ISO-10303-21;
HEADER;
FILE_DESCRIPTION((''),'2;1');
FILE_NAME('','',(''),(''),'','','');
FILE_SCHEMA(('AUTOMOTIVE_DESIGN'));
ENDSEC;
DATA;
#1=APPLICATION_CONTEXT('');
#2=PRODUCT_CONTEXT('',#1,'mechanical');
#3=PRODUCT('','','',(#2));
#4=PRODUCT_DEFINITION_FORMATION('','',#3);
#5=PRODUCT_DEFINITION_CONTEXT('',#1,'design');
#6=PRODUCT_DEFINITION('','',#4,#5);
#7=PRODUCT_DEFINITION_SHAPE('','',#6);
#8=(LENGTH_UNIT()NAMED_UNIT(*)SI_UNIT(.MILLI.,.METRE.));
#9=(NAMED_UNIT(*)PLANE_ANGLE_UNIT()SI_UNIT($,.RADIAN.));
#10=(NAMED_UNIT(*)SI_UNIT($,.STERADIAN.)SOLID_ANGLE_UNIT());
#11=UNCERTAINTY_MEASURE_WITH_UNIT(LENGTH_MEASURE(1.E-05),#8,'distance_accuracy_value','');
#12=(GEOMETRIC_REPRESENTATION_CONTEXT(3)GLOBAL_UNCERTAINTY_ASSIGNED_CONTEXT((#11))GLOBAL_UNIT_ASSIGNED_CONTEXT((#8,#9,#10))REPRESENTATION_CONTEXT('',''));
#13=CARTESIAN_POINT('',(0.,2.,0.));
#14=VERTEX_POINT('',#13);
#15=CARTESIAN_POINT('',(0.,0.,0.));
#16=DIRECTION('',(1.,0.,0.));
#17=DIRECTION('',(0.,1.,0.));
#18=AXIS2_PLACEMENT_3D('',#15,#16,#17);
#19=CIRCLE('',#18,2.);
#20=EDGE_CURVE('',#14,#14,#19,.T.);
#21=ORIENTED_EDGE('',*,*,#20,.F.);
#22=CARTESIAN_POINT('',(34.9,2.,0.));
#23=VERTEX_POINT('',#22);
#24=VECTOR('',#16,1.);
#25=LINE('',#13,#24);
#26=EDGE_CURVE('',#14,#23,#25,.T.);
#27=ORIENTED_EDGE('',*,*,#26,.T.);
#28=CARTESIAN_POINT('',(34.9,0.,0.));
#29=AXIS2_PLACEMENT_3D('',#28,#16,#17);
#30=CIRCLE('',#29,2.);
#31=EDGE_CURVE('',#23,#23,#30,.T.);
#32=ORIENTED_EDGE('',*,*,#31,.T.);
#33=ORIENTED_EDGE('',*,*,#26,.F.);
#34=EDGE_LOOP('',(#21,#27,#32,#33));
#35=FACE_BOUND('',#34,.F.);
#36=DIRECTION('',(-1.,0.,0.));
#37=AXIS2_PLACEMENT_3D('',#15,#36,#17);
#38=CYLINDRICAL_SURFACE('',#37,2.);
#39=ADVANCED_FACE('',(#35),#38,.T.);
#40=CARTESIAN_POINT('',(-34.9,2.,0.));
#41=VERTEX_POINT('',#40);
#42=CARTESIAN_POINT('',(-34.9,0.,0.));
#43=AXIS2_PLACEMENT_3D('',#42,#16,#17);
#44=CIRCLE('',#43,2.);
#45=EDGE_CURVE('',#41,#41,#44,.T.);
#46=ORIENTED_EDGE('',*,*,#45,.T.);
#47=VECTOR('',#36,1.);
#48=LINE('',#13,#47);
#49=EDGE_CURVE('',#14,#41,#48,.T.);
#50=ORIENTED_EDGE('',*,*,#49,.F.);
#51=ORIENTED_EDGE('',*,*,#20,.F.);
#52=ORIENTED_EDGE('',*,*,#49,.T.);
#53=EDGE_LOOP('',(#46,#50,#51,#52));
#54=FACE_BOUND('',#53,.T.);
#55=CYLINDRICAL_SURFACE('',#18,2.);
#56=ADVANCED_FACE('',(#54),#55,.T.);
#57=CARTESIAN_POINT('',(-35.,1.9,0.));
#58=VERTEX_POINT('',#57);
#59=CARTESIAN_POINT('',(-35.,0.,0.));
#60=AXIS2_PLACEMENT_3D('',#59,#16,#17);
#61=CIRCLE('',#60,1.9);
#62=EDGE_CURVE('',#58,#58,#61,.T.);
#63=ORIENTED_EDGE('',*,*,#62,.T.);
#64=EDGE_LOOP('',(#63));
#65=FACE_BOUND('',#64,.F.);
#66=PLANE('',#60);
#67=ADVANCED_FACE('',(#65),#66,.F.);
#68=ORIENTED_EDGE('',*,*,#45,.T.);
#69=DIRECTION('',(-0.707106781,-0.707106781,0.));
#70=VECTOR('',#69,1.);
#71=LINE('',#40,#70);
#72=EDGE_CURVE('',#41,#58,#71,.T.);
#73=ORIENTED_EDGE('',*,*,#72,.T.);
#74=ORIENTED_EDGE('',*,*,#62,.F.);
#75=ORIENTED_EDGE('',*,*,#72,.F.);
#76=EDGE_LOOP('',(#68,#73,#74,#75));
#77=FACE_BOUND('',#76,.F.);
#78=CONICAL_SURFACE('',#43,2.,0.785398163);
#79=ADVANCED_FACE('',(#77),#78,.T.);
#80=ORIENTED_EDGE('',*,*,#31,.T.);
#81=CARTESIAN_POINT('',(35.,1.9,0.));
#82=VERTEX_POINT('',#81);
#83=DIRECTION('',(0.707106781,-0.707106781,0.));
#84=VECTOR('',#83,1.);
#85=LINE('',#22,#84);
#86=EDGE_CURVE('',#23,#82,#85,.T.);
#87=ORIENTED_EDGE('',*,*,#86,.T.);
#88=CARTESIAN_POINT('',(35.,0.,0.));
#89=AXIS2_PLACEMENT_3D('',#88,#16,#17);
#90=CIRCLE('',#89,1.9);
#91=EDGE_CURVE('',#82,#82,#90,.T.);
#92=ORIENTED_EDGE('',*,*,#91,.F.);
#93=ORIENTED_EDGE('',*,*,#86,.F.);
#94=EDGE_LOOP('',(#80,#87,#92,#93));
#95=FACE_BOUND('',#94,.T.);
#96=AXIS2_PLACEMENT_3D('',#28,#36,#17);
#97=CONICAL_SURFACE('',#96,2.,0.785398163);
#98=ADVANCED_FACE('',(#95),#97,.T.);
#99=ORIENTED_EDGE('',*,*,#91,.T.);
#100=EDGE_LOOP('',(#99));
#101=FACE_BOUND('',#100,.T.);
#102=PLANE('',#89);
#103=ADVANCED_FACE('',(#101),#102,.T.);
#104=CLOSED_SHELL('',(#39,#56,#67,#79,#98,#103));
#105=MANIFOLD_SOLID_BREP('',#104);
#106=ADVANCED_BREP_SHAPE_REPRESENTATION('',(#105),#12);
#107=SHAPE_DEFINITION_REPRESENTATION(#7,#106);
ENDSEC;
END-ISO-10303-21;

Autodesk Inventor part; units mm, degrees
ref_plane "YZ Plane" through (0, 0, 0) normal (1, 0, 0) x (0, 1, 0)
ref_plane "XZ Plane" through (0, 0, 0) normal (0, 1, 0) x (-1, 0, 0)
ref_plane "XY Plane" through (0, 0, 0) normal (0, 0, 1) x (1, 0, 0)
sketch "Sketch1" plane through (0, 0, 0) normal (1, 0, 0) x (0, 1, 0)
  circle A0 centre (0, 0) radius 2
  dimension "d0" = 4
extrude "Extrusion1" add sketch "Sketch1" along normal mid plane 70
chamfer "Chamfer1" distance 0.1 angle 45 2 edges at (-35, -2, 0) (35, -2, 0)
thread "Thread1" size "M4x0.7" class "6g" standard "ANSI Metric M Profile" full length
properties part number "Meca" material "Stainless Steel"
